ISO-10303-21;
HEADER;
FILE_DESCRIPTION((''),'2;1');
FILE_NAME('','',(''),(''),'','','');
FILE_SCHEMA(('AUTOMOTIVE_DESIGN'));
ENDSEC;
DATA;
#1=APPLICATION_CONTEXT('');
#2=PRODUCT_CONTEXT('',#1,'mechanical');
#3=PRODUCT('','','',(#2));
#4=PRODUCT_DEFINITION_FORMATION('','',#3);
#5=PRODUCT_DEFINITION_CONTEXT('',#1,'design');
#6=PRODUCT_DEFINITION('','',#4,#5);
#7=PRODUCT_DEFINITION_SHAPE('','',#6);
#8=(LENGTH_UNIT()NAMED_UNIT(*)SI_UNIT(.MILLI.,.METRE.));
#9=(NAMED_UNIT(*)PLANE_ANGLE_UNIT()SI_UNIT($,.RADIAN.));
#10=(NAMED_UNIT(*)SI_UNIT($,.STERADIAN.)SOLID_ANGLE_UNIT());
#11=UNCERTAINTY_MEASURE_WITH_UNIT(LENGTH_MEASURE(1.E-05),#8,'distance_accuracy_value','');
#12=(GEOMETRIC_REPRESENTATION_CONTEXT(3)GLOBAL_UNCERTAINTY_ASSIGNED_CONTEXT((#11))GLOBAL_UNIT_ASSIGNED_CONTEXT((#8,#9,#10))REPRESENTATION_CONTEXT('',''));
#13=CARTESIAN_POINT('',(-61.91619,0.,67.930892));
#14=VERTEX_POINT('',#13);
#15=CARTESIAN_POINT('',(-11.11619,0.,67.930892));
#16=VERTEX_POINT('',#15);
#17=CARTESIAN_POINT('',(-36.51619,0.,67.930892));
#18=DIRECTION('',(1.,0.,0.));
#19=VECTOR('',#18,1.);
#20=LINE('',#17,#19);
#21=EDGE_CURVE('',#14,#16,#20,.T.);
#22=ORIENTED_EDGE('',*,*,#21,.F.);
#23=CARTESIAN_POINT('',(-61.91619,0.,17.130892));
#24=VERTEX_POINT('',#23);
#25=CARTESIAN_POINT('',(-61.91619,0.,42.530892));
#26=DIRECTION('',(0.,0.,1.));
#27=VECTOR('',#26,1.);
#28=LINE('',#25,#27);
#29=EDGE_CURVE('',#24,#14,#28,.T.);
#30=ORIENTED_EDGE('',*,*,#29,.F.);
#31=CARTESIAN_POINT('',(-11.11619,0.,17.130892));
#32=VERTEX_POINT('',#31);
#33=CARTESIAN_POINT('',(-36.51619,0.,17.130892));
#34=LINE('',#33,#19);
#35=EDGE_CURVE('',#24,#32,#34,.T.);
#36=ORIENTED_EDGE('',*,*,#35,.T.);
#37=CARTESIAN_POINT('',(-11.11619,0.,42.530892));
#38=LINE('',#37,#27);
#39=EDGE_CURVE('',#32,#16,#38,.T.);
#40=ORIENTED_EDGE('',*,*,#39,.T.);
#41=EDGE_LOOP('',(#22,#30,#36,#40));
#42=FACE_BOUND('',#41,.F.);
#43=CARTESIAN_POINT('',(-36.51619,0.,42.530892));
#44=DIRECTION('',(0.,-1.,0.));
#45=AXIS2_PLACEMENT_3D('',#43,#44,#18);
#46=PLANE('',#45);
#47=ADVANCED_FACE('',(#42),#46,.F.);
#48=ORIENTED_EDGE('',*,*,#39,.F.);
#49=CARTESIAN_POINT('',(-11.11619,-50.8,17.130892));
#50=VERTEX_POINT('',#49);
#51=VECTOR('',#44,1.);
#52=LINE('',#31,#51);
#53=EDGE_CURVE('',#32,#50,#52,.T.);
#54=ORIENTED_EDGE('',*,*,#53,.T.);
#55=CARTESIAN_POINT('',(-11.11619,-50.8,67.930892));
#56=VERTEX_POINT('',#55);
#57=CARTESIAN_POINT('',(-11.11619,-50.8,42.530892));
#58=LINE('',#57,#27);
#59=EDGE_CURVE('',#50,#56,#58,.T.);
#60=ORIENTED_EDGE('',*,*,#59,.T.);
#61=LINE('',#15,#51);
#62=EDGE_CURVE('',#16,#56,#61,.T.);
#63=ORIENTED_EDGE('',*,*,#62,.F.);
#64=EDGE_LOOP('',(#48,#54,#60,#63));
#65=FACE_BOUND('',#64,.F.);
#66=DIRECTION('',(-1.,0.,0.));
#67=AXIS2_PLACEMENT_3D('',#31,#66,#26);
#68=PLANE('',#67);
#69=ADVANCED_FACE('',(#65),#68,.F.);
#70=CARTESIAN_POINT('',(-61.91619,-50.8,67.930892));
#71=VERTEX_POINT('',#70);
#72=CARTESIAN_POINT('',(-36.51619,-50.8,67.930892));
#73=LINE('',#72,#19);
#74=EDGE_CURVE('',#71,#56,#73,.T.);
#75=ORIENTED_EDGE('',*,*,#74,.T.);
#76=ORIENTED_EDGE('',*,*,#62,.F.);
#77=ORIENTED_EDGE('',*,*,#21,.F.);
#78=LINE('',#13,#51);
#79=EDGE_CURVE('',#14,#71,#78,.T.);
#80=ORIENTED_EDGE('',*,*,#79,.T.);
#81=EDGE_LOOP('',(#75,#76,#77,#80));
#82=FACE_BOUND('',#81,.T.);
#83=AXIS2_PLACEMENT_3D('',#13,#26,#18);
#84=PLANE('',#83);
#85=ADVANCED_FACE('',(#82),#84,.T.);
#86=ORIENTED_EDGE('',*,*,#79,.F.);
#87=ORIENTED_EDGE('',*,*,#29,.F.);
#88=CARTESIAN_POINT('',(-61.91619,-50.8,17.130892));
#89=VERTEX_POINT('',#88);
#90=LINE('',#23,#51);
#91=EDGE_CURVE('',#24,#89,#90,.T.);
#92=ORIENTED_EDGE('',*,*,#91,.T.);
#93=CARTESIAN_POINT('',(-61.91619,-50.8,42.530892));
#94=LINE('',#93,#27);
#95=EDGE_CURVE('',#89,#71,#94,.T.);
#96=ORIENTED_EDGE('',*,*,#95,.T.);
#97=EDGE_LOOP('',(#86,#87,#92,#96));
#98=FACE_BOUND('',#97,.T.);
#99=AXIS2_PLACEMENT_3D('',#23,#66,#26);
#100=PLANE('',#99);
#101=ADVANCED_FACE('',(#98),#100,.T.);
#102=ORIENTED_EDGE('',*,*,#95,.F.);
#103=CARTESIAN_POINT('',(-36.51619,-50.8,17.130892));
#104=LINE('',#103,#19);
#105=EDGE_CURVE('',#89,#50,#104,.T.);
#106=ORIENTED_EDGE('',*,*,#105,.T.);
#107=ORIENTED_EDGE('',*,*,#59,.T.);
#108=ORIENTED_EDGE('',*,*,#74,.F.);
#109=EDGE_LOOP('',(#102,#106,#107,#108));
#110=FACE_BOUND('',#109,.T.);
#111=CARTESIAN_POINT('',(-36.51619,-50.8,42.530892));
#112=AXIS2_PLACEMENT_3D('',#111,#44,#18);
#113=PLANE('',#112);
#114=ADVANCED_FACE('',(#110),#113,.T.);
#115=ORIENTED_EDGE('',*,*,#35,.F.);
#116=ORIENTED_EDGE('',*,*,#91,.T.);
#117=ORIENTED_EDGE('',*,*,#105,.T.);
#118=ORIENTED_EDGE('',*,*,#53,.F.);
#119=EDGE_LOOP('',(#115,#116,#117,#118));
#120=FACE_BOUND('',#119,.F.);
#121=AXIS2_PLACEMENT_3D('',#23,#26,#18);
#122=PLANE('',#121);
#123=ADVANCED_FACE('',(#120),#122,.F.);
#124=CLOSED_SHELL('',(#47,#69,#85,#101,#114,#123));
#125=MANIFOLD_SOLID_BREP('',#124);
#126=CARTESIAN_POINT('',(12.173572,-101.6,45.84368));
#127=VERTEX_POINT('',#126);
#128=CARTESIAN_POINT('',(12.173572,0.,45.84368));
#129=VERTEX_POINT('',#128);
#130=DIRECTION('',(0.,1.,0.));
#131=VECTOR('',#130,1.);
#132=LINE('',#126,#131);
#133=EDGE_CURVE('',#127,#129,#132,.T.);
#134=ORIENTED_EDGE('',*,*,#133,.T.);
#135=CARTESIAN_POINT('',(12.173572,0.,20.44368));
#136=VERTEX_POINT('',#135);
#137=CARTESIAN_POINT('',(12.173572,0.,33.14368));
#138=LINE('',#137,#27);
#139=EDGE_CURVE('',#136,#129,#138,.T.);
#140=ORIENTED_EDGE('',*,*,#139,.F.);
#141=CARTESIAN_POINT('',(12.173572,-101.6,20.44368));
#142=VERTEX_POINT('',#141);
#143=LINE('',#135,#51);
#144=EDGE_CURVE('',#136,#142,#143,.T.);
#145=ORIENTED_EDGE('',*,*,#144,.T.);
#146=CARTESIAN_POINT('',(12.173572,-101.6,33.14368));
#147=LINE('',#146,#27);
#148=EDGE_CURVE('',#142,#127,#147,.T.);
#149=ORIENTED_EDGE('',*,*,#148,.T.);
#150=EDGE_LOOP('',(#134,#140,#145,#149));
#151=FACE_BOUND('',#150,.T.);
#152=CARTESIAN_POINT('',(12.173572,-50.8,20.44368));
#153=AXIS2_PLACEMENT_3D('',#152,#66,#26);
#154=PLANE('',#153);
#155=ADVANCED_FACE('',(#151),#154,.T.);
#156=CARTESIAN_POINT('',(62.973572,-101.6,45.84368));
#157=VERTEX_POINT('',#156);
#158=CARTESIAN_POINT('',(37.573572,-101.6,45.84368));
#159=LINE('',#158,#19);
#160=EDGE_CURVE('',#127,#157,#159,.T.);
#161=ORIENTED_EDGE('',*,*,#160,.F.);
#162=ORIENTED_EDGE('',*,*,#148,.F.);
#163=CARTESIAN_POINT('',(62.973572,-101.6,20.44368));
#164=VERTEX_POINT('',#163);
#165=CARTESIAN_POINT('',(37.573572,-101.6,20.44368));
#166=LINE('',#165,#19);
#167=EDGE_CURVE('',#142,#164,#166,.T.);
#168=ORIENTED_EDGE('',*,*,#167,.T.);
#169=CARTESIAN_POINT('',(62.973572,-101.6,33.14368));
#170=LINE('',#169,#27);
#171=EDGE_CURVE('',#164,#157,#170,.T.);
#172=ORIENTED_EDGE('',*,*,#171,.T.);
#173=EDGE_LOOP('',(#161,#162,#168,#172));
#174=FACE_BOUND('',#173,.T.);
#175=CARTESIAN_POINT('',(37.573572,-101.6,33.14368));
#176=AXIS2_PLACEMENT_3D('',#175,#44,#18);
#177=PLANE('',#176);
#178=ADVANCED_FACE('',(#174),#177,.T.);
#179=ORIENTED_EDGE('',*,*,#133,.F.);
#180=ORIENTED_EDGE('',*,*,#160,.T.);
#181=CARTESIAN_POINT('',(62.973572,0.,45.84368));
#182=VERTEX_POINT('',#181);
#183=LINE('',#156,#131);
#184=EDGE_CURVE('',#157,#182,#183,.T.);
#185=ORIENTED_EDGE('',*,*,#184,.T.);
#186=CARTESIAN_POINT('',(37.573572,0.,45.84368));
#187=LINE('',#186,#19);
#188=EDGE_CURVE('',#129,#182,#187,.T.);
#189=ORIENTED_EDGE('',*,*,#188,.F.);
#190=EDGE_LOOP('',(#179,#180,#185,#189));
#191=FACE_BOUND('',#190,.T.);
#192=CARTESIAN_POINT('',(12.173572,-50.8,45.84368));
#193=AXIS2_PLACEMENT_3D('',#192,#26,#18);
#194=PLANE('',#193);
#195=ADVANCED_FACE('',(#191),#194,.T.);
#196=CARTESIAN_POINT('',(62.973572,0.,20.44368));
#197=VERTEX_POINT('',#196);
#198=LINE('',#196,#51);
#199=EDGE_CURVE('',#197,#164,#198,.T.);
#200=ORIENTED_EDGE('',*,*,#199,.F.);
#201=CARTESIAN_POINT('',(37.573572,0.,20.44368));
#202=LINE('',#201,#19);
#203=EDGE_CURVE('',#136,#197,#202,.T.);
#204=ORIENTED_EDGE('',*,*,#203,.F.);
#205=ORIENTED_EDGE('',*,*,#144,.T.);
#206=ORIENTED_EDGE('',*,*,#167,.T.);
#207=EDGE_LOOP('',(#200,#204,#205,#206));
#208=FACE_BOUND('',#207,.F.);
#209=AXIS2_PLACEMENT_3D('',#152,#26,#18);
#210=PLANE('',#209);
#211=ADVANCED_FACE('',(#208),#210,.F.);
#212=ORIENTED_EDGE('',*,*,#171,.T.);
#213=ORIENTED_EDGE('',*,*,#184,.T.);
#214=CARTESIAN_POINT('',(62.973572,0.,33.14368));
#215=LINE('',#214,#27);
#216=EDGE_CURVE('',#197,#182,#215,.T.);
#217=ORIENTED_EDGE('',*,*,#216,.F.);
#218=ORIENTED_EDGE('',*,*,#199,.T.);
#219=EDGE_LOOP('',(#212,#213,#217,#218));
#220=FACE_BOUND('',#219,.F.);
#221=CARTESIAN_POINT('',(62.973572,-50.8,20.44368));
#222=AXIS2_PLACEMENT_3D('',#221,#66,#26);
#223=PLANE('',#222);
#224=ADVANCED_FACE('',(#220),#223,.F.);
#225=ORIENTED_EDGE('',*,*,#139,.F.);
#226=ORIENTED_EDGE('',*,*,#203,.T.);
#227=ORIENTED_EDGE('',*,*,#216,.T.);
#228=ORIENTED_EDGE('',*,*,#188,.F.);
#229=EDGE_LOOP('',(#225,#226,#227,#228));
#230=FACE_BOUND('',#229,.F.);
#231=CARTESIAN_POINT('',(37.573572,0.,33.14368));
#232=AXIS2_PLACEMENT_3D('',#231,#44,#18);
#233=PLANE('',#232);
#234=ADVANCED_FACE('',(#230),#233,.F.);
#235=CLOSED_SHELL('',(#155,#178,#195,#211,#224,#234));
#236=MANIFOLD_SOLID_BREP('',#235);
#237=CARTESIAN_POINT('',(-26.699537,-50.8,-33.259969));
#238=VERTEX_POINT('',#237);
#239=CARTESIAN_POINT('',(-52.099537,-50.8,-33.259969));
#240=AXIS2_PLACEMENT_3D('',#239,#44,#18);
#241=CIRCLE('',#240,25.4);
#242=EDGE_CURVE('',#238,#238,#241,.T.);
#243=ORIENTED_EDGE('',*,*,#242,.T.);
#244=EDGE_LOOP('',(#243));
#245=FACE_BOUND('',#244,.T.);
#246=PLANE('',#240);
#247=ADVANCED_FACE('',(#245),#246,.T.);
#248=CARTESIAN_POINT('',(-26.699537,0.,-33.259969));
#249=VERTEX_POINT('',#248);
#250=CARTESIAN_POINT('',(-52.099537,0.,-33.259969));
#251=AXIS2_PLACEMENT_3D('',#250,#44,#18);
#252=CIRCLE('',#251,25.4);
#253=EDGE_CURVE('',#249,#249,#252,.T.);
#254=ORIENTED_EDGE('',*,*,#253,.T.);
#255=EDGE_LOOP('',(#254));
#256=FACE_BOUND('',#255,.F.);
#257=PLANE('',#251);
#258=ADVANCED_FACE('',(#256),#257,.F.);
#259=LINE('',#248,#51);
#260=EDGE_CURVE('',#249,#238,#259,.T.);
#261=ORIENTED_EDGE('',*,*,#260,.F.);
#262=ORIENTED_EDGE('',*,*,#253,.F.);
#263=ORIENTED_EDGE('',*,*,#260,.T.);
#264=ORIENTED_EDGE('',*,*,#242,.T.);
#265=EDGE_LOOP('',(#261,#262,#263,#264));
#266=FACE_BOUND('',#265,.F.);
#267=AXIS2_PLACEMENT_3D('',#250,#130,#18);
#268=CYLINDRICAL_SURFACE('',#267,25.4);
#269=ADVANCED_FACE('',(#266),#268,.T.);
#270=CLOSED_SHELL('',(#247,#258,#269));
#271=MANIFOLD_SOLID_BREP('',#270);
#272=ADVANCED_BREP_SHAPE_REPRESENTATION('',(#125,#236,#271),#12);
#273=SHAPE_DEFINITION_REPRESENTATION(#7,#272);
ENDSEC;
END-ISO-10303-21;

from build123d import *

# Parameters (mm, degrees)
F0_W      = 50.8
F0_H      = 50.8
F3_DEPTH  = 50.8
F1_W      = 50.8
F1_H      = 25.4
F4_DEPTH  = 50.8
F4_FACE_W = 50.8
F4_FACE_H = 25.4
F2_R      = 25.4
F5_DEPTH  = 50.8


with BuildPart() as f3:
    # F0 (on Front) → F3 (new body)
    with BuildSketch(Plane.XZ):
        with Locations((-36.51619, 42.530892)):
            Rectangle(F0_W, F0_H)
    extrude(amount=F3_DEPTH)


with BuildPart() as f4:
    # F1 (on Front) → F4 (new body)
    with BuildSketch(Plane.XZ):
        with Locations((37.573572, 33.14368)):
            Rectangle(F1_W, F1_H)
    extrude(amount=F4_DEPTH)

    # F4_face (on face) + F2 (on Front) → F5 (join)
    with BuildSketch(Plane(origin=(37.573572, -50.8, 33.14368), x_dir=(1, 0, 0), z_dir=(0, -1, 0))):
        Rectangle(F4_FACE_W, F4_FACE_H)
    with BuildSketch(Plane.XZ):
        with Locations((-52.099537, -33.259969)):
            Circle(F2_R)
    extrude(amount=F5_DEPTH)


solid = Compound([f3.part, f4.part])
